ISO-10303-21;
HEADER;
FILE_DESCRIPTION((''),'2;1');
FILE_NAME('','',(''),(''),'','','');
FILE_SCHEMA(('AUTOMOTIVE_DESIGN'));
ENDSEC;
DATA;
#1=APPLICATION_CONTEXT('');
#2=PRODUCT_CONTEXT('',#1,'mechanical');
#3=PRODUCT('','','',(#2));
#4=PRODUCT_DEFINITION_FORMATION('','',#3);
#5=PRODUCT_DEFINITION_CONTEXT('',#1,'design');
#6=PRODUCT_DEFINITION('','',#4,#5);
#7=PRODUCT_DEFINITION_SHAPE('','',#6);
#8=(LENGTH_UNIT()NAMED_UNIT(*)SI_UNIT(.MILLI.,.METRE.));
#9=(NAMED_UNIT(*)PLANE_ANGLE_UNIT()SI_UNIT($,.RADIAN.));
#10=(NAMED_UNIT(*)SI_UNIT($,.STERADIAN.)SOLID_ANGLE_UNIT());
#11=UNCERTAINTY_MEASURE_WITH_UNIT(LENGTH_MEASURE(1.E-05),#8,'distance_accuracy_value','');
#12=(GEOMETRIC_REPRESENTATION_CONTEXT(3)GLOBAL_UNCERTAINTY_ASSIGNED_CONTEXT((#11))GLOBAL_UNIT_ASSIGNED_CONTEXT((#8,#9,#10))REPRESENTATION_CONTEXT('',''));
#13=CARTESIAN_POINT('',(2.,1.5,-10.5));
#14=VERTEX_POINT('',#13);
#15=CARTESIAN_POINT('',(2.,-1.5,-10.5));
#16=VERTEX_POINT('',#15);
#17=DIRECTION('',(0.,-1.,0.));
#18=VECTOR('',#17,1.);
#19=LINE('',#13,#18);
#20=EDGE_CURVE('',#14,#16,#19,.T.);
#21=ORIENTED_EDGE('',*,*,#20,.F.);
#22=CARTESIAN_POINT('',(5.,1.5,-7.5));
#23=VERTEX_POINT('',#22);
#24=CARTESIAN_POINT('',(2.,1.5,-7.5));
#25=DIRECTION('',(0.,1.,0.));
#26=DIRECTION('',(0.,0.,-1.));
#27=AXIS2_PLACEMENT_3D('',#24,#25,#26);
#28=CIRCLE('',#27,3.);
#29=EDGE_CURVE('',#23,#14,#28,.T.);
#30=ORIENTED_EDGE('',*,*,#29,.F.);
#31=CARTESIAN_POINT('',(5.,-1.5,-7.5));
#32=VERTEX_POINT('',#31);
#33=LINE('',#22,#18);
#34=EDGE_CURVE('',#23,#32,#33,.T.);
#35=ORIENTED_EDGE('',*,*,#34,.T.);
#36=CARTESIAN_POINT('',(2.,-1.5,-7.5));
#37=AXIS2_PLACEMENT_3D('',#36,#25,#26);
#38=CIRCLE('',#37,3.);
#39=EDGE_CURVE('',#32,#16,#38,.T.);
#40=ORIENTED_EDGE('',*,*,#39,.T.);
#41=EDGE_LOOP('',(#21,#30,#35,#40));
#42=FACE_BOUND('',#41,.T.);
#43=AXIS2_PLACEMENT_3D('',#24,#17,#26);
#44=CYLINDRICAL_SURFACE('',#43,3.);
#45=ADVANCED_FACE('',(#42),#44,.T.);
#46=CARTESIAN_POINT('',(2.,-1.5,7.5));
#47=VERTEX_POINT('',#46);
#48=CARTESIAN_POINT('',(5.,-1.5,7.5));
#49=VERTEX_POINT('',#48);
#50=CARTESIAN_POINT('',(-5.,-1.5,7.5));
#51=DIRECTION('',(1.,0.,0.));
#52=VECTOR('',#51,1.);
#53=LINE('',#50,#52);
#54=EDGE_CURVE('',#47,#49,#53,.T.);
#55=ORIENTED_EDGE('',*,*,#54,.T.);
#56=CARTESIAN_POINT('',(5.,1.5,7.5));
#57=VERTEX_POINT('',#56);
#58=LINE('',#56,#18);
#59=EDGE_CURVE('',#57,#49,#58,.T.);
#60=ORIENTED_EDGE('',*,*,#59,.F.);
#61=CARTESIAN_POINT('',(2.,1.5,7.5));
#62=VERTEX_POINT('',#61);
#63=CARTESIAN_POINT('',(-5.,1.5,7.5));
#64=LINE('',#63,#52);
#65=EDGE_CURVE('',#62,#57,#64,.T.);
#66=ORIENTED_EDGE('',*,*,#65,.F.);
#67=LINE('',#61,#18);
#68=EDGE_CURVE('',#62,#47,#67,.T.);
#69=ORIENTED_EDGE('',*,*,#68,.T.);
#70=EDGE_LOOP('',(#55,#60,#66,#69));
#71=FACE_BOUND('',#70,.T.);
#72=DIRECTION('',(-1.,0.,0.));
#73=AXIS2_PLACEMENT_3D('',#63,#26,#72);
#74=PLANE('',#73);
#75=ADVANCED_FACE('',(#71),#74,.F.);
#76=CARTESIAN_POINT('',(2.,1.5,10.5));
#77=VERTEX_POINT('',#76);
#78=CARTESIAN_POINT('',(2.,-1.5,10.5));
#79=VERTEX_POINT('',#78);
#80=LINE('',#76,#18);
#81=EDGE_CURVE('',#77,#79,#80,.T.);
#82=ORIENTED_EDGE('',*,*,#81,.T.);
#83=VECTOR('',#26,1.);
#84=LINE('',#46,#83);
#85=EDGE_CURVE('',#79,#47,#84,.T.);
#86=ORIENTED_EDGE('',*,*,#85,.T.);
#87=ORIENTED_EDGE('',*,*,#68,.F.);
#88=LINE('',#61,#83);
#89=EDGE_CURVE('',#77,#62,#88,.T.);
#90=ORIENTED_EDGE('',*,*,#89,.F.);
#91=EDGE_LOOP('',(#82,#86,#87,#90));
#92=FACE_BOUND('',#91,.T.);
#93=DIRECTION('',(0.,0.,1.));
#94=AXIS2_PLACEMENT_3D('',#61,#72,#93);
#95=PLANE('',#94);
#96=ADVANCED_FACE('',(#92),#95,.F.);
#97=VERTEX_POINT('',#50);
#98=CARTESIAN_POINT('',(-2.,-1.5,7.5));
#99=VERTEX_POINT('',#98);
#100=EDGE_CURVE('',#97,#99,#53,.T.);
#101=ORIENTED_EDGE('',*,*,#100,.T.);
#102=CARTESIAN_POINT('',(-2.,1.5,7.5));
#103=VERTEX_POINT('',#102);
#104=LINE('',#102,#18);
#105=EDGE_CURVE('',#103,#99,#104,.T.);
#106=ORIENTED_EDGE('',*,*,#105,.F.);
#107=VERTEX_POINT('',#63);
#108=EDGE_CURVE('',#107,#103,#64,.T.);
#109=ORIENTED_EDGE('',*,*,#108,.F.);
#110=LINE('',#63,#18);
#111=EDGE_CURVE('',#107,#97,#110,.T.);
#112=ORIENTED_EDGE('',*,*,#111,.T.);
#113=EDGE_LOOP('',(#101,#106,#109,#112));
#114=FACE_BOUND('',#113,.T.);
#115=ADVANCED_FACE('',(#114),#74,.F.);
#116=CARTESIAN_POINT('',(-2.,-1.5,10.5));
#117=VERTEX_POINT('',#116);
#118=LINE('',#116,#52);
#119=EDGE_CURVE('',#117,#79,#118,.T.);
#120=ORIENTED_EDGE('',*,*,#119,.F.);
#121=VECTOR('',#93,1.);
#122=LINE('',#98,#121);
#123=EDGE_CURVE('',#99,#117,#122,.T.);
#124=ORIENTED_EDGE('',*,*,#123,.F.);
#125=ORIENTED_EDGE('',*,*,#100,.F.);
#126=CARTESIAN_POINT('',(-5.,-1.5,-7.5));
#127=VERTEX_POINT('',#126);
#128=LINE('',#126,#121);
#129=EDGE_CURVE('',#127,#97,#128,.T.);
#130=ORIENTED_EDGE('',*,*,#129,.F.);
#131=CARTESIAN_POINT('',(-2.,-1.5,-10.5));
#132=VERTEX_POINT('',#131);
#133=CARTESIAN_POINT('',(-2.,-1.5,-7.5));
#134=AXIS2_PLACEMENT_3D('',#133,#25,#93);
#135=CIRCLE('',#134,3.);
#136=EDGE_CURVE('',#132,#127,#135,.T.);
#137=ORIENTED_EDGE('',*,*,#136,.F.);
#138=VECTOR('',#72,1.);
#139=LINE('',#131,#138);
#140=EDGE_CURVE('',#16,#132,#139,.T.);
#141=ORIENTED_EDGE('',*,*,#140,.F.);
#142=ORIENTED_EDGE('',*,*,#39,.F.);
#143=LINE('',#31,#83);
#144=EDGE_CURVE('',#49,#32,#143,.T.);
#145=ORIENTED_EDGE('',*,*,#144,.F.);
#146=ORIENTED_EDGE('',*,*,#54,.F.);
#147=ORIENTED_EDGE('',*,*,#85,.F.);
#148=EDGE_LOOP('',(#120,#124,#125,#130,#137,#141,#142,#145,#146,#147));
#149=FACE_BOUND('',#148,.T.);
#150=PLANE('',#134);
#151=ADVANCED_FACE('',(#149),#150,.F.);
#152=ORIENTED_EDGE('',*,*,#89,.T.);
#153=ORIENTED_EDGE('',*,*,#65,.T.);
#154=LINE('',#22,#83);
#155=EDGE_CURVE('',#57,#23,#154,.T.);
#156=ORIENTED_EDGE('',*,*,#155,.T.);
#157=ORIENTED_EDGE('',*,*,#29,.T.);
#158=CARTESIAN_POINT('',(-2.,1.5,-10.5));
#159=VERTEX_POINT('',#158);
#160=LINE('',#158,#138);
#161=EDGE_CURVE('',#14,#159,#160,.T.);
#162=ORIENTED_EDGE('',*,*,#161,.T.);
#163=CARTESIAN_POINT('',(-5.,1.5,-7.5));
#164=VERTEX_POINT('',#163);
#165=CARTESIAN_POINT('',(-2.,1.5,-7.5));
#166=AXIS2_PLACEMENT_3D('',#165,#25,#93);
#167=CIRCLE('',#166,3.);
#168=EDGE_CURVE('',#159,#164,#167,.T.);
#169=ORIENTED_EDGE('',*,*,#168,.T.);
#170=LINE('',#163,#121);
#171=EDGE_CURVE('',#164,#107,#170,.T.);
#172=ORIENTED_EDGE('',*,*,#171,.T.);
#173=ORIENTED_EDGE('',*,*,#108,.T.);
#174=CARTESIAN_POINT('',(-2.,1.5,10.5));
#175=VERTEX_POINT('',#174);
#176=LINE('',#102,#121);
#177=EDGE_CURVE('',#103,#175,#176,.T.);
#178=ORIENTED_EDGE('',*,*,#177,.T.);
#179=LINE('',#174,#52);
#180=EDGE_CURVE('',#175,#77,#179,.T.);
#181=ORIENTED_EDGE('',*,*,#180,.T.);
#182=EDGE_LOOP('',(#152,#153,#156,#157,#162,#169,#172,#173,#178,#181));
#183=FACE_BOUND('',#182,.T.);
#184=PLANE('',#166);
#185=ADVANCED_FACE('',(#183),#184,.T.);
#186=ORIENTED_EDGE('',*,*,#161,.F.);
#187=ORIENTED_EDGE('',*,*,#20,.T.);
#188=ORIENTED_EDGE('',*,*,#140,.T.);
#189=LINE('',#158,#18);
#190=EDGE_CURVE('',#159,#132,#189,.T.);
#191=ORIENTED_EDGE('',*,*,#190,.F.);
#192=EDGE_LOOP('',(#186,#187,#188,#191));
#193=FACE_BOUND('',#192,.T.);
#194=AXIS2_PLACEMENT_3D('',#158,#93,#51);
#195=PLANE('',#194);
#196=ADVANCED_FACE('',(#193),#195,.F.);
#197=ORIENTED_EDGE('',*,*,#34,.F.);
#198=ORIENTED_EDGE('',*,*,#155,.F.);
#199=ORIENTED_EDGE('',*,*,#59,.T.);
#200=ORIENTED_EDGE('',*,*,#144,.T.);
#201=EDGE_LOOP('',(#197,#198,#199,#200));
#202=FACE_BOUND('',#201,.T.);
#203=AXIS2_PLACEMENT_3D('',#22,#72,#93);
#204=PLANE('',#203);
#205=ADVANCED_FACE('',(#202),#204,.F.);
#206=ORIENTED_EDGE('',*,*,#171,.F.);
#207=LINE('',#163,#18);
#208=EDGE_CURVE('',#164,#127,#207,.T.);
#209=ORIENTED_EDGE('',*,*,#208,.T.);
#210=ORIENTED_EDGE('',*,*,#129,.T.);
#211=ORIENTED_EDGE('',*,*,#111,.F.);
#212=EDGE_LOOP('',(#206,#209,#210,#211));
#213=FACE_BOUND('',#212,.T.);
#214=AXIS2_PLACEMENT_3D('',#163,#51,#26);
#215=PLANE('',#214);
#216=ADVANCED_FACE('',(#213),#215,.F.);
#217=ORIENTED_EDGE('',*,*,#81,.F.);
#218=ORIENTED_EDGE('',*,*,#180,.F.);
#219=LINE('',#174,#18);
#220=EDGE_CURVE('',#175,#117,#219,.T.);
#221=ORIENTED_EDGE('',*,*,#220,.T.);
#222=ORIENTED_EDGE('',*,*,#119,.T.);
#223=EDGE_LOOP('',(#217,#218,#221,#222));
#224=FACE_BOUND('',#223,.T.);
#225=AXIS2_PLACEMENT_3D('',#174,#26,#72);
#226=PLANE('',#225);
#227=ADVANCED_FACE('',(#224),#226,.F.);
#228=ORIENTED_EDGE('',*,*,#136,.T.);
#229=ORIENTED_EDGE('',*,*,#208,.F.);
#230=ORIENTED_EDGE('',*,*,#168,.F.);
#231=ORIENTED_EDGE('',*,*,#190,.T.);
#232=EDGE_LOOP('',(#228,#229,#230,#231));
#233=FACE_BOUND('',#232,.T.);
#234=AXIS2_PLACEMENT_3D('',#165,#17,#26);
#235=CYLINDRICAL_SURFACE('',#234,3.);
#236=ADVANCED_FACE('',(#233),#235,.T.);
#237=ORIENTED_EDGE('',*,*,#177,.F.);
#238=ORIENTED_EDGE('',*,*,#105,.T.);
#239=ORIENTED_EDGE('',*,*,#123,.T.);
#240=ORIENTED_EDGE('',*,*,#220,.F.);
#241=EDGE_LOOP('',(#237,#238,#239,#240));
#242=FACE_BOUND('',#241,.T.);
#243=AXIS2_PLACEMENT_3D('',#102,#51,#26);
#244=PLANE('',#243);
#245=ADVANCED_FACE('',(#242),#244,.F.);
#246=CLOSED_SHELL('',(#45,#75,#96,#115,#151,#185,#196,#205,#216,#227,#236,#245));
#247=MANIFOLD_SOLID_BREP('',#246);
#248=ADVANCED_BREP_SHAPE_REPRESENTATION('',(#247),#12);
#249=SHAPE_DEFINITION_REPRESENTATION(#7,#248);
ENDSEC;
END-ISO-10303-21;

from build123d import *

# Parameters (mm, degrees)
BOSS_EXTRUDE4_DEPTH = 1.5
SKETCH8_W           = 4
SKETCH8_H           = 3
BOSS_EXTRUDE5_DEPTH = 1.5


with BuildPart() as part:
    # Sketch6 → Boss-Extrude4 (new body, symmetric)
    with BuildSketch(Plane(origin=(0, 0, 0), x_dir=(1, 0, 0), z_dir=(0, 1, 0))):
        with BuildLine():
            Line((-2, 10.5), (2, 10.5))
            ThreePointArc((2, 10.5), (4.121320344, 9.621320344), (5, 7.5))
            Line((5, 7.5), (5, -7.5))
            Line((5, -7.5), (-5, -7.5))
            Line((-5, -7.5), (-5, 7.5))
            ThreePointArc((-5, 7.5), (-4.121320344, 9.621320344), (-2, 10.5))
        make_face()
    extrude(amount=BOSS_EXTRUDE4_DEPTH, both=True)

    # Sketch8 → Boss-Extrude5 (add, symmetric)
    with BuildSketch(Plane(origin=(0, 0, 0), x_dir=(1, 0, 0), z_dir=(0, 1, 0))):
        with Locations((0, -9)):
            Rectangle(SKETCH8_W, SKETCH8_H)
    extrude(amount=BOSS_EXTRUDE5_DEPTH, both=True)


solid = part.part
